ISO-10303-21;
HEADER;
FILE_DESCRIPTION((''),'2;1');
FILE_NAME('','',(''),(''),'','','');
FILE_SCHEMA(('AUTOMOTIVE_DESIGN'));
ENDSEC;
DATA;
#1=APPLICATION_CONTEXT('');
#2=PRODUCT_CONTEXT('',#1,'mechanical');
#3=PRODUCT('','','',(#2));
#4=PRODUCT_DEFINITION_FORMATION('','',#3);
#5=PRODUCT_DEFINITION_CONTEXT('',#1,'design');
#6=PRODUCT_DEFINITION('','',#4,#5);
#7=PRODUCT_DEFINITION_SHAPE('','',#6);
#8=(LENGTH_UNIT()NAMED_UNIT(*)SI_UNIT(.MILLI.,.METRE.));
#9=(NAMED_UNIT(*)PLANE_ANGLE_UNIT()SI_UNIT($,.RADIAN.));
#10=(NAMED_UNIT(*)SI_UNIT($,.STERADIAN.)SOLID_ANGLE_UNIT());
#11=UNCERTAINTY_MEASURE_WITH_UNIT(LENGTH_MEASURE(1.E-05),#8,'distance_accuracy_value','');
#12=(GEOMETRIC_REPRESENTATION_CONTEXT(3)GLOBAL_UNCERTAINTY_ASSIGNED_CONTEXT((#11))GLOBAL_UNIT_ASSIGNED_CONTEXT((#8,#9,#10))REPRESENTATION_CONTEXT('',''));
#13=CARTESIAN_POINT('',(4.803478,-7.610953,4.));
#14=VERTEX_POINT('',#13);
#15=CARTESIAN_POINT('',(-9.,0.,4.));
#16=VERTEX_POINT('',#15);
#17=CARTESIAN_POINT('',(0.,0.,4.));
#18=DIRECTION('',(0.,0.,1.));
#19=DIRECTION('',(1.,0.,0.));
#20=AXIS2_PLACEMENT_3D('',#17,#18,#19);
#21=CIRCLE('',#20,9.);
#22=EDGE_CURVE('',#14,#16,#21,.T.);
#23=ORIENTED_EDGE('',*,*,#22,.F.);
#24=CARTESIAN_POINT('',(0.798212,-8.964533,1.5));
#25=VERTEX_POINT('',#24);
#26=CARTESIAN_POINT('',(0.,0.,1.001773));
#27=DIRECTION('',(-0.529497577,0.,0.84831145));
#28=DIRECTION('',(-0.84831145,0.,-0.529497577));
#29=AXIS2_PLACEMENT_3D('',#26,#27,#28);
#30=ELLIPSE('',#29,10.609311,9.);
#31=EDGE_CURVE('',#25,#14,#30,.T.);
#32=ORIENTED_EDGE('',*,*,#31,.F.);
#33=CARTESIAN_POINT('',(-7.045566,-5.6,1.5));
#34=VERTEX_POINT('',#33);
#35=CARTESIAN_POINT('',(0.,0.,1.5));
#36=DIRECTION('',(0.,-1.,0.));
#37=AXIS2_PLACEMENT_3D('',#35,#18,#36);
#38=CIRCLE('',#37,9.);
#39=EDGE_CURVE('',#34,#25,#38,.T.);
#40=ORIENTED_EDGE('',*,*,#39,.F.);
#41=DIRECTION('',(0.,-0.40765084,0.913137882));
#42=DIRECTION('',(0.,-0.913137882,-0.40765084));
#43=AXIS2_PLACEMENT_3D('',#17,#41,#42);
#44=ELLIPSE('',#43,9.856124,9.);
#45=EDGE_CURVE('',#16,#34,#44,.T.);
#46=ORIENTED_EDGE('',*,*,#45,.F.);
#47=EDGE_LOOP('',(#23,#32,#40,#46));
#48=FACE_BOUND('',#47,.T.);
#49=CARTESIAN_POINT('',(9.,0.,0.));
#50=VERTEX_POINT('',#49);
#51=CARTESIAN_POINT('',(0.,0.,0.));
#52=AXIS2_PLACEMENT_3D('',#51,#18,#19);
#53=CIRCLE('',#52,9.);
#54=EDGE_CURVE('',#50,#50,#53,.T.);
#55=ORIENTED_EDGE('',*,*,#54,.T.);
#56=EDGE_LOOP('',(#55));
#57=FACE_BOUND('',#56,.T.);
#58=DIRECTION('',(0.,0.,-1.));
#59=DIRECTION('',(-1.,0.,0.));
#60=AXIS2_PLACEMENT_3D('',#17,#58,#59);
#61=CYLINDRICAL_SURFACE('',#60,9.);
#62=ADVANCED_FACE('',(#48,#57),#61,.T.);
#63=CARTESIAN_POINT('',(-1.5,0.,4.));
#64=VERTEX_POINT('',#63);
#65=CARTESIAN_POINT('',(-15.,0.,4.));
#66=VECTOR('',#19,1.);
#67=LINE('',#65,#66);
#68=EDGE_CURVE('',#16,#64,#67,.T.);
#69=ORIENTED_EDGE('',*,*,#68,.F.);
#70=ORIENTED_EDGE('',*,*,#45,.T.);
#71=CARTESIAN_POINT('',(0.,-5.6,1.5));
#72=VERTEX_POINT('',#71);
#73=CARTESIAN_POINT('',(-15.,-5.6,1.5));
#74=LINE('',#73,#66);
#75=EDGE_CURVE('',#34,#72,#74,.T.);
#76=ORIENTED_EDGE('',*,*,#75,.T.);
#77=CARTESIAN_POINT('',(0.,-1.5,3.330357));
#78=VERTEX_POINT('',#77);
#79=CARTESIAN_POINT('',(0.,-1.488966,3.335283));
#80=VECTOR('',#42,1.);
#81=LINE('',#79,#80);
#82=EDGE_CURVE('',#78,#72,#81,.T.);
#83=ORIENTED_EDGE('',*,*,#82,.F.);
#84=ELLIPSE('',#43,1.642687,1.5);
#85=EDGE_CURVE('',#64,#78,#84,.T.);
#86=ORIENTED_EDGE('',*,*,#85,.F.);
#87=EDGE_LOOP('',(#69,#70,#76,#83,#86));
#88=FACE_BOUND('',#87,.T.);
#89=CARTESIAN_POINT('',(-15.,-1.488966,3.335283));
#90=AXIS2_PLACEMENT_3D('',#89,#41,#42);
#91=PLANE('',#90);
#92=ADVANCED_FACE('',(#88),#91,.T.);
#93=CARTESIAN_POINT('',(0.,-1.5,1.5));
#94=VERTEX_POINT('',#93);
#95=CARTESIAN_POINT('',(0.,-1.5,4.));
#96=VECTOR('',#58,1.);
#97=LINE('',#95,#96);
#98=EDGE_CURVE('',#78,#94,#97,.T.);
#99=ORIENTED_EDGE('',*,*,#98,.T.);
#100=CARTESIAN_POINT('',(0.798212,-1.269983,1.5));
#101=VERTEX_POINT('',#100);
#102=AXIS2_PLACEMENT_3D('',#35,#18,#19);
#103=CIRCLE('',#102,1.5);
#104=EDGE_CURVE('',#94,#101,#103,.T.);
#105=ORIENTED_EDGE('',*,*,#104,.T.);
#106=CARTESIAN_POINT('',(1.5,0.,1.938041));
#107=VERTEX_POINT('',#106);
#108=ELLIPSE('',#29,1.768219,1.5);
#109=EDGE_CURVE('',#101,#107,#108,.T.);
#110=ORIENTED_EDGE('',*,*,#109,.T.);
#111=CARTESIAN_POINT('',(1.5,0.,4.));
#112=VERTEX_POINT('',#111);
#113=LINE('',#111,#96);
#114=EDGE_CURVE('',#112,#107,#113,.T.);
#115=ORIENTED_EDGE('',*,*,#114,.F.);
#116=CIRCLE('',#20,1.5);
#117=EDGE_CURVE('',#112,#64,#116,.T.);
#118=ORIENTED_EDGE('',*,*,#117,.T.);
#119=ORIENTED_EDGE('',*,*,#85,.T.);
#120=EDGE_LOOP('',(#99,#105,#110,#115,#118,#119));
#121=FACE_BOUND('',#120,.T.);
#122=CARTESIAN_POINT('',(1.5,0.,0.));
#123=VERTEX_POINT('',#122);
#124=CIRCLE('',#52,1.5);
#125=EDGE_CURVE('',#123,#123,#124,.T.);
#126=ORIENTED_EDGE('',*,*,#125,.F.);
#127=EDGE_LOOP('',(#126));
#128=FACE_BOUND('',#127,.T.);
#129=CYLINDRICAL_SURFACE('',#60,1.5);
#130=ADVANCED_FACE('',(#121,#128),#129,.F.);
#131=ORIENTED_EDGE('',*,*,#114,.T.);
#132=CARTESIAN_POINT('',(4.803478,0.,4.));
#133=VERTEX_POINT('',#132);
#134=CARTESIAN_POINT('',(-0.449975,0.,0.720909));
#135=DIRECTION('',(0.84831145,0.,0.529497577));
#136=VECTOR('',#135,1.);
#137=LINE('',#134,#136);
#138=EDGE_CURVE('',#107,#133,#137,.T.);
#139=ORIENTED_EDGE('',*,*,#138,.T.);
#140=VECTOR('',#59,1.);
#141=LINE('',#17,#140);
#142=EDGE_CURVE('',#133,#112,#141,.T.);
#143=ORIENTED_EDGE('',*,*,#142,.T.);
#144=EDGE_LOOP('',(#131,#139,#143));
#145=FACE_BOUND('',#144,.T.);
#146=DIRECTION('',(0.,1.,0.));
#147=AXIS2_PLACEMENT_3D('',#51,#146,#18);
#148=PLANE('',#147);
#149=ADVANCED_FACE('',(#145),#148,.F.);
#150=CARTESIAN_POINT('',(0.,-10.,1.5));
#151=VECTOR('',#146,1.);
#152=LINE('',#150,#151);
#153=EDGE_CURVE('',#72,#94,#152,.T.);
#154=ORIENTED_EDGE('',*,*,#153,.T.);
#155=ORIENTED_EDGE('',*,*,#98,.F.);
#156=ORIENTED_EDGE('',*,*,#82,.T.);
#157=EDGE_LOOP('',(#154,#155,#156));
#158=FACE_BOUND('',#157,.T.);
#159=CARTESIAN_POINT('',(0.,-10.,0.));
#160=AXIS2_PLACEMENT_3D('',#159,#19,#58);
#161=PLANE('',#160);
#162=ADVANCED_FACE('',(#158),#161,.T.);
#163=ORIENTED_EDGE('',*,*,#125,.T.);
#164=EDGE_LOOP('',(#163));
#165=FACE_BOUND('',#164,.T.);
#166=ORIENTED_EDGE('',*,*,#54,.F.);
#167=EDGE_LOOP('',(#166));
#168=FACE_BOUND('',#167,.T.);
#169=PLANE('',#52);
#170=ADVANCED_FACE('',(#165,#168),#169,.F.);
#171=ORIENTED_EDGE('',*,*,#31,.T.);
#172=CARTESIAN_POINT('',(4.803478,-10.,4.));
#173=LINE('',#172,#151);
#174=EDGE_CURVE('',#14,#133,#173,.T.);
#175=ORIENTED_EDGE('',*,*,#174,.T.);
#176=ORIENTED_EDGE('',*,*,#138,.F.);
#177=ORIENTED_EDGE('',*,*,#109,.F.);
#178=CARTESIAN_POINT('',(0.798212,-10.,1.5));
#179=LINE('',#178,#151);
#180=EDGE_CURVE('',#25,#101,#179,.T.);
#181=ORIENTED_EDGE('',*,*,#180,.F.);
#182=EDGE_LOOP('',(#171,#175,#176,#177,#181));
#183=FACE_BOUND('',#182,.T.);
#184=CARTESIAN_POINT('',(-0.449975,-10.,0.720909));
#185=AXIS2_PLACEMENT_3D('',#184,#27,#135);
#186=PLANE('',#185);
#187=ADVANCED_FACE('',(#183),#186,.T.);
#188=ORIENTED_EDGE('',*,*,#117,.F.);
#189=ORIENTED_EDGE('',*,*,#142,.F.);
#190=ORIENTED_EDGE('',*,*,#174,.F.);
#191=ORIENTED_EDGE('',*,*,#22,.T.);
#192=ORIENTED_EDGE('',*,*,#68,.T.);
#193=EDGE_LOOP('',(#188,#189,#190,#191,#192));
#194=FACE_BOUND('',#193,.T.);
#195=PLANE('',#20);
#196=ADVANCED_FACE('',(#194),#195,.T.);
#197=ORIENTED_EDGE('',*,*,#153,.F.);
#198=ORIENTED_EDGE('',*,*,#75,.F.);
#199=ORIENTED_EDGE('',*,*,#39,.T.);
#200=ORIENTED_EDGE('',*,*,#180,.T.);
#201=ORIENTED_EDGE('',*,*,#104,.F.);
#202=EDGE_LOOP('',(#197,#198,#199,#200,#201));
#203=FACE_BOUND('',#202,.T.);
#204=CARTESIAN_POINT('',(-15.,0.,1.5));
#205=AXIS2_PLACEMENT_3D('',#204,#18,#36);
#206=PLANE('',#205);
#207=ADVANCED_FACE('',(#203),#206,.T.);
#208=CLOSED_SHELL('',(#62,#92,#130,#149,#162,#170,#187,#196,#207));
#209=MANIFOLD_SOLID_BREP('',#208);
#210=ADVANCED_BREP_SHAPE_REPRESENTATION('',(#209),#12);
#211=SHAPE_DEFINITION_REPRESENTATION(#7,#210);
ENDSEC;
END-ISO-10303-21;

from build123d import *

# Parameters (mm, degrees)
CROQUIS1_R              = 9
CROQUIS1_R_2            = 1.5
SALIENTE_EXTRUIR1_DEPTH = 4
CORTAR_EXTRUIR1_DEPTH   = 15
CORTAR_EXTRUIR2_DEPTH   = 10


with BuildPart() as part:
    # Croquis1 → Saliente-Extruir1 (new body)
    with BuildSketch(Plane.XY):
        Circle(CROQUIS1_R)
        Circle(CROQUIS1_R_2, mode=Mode.SUBTRACT)
    extrude(amount=SALIENTE_EXTRUIR1_DEPTH)

    # Croquis2 → Cortar-Extruir1 (cut)
    with BuildSketch(Plane(origin=(0, 0, 0), x_dir=(0, 0, -1), z_dir=(1, 0, 0))):
        Polygon((-1.5, -5.6), (-4, 0), (-4, -9), (-1.5, -9), align=None)
    extrude(amount=-CORTAR_EXTRUIR1_DEPTH, mode=Mode.SUBTRACT)

    # Croquis3 → Cortar-Extruir2 (cut)
    with BuildSketch(Plane(origin=(0, 0, 0), x_dir=(1, 0, 0), z_dir=(0, 1, 0))):
        Polygon((0, -1.5), (0, -4), (4.803477962, -4), (0.798212, -1.5), align=None)
    extrude(amount=-CORTAR_EXTRUIR2_DEPTH, mode=Mode.SUBTRACT)


solid = part.part
